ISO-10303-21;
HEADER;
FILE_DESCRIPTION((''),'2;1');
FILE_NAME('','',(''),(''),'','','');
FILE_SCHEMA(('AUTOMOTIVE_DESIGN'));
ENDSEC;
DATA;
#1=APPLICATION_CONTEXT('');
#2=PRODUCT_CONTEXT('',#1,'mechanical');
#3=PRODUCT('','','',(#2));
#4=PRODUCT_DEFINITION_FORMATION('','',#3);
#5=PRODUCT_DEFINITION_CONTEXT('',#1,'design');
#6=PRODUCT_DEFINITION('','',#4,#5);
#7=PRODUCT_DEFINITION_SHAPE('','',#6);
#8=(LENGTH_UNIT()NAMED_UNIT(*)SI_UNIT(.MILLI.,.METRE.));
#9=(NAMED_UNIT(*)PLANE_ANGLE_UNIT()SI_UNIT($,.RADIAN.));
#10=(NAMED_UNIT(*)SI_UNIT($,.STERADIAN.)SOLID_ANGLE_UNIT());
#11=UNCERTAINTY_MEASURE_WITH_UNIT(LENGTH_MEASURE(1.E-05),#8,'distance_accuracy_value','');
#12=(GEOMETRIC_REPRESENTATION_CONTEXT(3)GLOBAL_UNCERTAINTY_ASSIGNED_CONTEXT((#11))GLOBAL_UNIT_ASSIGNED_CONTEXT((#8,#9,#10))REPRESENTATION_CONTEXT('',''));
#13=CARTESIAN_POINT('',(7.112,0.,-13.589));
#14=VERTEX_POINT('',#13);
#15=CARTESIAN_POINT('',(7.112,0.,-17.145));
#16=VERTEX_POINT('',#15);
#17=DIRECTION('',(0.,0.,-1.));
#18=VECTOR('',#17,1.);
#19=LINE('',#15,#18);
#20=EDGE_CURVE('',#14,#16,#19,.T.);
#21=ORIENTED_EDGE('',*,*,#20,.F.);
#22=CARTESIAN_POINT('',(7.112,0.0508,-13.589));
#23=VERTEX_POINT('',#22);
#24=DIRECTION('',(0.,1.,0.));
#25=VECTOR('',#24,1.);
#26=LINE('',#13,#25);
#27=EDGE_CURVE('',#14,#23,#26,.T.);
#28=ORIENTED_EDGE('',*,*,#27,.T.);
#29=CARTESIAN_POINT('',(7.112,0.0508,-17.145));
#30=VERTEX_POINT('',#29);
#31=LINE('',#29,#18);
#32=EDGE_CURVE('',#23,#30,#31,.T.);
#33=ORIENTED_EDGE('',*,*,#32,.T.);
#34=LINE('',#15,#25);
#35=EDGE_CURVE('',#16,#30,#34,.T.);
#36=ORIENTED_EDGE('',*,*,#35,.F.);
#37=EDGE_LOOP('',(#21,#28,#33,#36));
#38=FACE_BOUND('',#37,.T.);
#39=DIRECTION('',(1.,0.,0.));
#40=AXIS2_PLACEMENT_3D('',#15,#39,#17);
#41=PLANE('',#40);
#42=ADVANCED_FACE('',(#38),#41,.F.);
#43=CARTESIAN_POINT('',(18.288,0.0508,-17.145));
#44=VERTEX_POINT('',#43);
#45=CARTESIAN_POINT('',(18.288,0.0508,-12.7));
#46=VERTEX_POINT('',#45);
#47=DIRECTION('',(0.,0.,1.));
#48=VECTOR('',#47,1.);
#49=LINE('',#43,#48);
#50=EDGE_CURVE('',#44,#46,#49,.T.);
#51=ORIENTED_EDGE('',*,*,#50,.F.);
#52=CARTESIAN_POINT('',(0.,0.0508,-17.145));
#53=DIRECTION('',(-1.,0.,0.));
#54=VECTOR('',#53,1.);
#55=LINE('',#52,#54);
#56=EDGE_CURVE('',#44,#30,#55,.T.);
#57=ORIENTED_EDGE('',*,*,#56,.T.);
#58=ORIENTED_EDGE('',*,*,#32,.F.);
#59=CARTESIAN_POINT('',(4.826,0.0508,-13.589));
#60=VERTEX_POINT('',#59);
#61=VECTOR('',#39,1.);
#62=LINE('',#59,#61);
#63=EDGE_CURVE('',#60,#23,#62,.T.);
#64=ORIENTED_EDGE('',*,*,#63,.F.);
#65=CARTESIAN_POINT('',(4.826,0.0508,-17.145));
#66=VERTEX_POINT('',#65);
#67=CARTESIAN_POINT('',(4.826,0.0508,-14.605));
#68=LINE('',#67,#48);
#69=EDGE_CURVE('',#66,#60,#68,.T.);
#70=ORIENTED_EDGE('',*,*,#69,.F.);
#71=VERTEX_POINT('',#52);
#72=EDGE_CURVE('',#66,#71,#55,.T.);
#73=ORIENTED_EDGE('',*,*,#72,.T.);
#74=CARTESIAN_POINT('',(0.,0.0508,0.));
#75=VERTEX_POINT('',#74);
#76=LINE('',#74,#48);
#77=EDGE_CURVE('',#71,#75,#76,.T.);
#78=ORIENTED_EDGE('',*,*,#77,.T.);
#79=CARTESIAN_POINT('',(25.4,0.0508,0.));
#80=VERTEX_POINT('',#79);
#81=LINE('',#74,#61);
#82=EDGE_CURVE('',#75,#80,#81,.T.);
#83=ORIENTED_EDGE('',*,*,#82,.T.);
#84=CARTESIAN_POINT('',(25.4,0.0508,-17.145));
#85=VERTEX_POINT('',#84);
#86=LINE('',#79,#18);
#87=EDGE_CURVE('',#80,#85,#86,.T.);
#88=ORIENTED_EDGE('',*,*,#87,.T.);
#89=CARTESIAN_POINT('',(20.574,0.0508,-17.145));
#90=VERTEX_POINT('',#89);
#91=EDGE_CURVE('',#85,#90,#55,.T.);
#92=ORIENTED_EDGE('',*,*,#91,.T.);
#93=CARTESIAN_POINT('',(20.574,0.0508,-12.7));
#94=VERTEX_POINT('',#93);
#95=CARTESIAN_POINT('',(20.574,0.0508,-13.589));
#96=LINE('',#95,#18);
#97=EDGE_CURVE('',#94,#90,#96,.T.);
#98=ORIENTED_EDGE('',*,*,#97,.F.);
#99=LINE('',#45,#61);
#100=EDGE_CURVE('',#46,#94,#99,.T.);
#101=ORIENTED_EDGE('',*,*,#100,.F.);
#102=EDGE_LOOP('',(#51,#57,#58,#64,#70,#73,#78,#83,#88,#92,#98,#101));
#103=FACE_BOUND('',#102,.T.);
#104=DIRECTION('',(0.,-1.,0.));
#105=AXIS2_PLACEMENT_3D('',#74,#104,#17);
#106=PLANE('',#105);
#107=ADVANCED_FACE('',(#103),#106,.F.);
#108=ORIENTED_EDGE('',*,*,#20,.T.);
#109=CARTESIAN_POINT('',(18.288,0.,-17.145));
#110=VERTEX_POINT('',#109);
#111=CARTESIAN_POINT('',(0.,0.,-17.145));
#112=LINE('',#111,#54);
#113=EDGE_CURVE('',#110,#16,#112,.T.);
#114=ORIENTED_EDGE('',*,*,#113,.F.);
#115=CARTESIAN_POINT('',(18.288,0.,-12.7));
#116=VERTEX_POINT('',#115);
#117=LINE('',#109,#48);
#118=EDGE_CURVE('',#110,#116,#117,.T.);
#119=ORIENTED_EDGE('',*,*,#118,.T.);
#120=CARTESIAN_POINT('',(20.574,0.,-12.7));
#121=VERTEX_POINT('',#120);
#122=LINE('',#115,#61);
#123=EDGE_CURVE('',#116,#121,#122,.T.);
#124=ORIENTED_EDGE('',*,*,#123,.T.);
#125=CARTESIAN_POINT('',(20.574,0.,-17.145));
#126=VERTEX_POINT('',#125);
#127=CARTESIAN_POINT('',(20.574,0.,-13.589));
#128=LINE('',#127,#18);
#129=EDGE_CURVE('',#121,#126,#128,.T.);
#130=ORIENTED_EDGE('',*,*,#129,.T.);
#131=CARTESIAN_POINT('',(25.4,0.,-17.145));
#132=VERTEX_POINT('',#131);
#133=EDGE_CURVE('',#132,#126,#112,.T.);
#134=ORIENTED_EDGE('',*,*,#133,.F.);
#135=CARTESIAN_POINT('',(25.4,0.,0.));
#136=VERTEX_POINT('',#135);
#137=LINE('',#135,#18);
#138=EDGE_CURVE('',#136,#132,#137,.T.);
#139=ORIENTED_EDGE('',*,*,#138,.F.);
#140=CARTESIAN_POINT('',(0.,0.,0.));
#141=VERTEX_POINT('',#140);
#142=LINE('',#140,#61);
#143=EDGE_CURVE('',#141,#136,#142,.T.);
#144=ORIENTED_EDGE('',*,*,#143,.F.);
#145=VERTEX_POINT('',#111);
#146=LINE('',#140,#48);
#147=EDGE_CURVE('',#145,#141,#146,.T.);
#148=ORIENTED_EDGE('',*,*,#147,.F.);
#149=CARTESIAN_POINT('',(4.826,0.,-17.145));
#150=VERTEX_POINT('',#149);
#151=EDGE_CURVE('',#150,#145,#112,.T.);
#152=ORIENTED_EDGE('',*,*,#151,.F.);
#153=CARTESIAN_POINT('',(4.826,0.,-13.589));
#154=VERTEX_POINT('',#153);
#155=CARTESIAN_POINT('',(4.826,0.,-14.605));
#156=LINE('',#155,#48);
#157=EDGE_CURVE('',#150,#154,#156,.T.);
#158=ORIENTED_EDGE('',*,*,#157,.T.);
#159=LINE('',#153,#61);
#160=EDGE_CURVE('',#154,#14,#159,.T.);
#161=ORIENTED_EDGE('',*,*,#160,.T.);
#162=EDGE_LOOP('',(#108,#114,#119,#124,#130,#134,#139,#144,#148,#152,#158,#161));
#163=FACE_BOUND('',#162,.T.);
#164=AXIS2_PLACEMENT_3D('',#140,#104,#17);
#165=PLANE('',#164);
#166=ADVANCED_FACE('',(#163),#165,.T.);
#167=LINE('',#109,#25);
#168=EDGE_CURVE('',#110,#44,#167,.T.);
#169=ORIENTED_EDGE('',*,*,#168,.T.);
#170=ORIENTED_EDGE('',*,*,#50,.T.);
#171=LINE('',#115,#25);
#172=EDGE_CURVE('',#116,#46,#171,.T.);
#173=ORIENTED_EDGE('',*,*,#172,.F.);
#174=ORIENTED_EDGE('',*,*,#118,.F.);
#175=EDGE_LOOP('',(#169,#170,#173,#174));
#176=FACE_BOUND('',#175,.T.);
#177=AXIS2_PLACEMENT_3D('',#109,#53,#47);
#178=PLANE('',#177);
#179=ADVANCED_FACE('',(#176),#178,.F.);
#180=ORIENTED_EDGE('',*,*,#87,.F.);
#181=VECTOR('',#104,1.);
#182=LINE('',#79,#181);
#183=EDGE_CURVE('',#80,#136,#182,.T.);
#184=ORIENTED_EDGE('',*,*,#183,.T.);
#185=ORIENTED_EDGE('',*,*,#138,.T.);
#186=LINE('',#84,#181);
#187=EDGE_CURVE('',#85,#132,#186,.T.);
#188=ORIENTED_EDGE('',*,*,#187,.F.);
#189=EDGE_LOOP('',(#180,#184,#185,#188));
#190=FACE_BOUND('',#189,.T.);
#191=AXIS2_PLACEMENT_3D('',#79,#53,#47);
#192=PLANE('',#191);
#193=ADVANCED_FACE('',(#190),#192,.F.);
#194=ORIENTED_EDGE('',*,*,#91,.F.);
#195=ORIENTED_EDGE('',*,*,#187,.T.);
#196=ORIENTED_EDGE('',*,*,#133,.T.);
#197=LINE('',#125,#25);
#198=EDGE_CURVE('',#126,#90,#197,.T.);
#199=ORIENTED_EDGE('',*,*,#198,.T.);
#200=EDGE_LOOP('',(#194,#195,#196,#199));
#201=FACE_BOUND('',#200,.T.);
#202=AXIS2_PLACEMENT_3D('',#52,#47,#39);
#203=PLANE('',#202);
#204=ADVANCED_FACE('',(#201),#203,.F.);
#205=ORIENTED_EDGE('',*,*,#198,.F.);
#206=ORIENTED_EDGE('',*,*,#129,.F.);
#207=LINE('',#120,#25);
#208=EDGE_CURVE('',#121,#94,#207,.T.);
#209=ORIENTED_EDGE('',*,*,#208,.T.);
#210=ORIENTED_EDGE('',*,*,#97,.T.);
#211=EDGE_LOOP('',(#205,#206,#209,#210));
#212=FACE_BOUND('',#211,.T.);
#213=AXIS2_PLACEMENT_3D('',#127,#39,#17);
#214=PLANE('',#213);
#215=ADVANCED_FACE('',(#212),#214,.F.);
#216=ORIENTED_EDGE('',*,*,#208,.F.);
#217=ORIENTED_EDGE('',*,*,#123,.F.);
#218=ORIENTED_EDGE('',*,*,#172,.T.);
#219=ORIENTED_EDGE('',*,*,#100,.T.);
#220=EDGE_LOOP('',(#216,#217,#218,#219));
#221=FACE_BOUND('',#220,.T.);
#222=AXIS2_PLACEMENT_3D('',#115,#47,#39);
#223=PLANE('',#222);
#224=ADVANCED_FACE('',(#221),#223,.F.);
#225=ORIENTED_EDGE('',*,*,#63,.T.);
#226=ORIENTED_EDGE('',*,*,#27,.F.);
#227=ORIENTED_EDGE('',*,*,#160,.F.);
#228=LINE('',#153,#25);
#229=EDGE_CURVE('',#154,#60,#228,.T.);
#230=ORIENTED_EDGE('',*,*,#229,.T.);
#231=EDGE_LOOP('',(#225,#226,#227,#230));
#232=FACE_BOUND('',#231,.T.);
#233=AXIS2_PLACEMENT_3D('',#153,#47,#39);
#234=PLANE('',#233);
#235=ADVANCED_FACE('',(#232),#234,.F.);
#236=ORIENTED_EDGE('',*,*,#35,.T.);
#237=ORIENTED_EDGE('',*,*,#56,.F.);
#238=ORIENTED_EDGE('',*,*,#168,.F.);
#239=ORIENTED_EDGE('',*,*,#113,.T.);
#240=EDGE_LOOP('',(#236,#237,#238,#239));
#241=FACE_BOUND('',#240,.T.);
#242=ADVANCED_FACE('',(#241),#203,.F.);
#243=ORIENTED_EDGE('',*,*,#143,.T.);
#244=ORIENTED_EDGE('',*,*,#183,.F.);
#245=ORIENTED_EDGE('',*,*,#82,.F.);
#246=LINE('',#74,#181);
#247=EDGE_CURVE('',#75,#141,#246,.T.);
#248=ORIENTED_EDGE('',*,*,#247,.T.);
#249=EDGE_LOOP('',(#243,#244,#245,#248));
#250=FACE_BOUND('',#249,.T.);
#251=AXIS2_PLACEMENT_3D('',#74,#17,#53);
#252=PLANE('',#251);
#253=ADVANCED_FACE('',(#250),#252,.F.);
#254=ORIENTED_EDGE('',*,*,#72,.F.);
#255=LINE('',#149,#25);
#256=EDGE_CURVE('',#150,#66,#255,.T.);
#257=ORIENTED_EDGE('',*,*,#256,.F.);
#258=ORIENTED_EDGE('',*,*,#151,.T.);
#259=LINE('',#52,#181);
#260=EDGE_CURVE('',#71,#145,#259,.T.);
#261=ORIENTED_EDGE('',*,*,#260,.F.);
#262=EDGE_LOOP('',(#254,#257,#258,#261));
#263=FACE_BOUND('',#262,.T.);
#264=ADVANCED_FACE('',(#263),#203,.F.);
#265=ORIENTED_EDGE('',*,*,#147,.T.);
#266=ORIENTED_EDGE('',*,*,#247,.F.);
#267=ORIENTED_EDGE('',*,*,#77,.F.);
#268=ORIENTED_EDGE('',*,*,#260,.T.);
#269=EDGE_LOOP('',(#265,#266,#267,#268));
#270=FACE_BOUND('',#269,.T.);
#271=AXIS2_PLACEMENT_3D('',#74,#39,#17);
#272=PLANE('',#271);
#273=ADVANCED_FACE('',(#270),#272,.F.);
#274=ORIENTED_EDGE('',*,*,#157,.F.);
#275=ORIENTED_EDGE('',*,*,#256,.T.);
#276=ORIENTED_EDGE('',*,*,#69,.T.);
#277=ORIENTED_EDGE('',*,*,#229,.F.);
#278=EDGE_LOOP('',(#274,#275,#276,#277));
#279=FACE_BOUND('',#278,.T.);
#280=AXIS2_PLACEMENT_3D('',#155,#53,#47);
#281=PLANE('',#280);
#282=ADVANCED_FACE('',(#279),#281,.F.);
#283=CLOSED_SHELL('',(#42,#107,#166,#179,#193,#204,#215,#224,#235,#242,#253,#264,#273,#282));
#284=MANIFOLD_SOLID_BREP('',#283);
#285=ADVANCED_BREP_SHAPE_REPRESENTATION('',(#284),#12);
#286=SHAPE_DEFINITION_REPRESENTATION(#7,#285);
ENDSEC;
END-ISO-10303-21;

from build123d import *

# Parameters (mm, degrees)
SKETCH1_W           = 25.4
SKETCH1_H           = 17.145
BOSS_EXTRUDE1_DEPTH = 0.0508
CUT_EXTRUDE1_DEPTH  = 31.644960526


with BuildPart() as part:
    # Sketch1 → Boss-Extrude1 (new body)
    with BuildSketch(Plane(origin=(0, 0, 0), x_dir=(1, 0, 0), z_dir=(0, 1, 0))):
        with Locations((12.7, 8.5725)):
            Rectangle(SKETCH1_W, SKETCH1_H)
    extrude(amount=BOSS_EXTRUDE1_DEPTH)

    # Sketch2 → Cut-Extrude1 (cut, through all)
    with BuildSketch(Plane(origin=(0, 0.0508, 0), x_dir=(1, 0, 0), z_dir=(0, 1, 0))):
        Polygon((6.0325, 17.145), (7.112, 17.145), (7.112, 13.589), (4.826, 13.589), (4.826, 14.605), (4.826, 17.145), align=None)
        Polygon((18.288, 17.145), (19.3675, 17.145), (20.574, 17.145), (20.574, 13.589), (20.574, 12.7), (18.288, 12.7), align=None)
    extrude(amount=-CUT_EXTRUDE1_DEPTH, mode=Mode.SUBTRACT)


solid = part.part
